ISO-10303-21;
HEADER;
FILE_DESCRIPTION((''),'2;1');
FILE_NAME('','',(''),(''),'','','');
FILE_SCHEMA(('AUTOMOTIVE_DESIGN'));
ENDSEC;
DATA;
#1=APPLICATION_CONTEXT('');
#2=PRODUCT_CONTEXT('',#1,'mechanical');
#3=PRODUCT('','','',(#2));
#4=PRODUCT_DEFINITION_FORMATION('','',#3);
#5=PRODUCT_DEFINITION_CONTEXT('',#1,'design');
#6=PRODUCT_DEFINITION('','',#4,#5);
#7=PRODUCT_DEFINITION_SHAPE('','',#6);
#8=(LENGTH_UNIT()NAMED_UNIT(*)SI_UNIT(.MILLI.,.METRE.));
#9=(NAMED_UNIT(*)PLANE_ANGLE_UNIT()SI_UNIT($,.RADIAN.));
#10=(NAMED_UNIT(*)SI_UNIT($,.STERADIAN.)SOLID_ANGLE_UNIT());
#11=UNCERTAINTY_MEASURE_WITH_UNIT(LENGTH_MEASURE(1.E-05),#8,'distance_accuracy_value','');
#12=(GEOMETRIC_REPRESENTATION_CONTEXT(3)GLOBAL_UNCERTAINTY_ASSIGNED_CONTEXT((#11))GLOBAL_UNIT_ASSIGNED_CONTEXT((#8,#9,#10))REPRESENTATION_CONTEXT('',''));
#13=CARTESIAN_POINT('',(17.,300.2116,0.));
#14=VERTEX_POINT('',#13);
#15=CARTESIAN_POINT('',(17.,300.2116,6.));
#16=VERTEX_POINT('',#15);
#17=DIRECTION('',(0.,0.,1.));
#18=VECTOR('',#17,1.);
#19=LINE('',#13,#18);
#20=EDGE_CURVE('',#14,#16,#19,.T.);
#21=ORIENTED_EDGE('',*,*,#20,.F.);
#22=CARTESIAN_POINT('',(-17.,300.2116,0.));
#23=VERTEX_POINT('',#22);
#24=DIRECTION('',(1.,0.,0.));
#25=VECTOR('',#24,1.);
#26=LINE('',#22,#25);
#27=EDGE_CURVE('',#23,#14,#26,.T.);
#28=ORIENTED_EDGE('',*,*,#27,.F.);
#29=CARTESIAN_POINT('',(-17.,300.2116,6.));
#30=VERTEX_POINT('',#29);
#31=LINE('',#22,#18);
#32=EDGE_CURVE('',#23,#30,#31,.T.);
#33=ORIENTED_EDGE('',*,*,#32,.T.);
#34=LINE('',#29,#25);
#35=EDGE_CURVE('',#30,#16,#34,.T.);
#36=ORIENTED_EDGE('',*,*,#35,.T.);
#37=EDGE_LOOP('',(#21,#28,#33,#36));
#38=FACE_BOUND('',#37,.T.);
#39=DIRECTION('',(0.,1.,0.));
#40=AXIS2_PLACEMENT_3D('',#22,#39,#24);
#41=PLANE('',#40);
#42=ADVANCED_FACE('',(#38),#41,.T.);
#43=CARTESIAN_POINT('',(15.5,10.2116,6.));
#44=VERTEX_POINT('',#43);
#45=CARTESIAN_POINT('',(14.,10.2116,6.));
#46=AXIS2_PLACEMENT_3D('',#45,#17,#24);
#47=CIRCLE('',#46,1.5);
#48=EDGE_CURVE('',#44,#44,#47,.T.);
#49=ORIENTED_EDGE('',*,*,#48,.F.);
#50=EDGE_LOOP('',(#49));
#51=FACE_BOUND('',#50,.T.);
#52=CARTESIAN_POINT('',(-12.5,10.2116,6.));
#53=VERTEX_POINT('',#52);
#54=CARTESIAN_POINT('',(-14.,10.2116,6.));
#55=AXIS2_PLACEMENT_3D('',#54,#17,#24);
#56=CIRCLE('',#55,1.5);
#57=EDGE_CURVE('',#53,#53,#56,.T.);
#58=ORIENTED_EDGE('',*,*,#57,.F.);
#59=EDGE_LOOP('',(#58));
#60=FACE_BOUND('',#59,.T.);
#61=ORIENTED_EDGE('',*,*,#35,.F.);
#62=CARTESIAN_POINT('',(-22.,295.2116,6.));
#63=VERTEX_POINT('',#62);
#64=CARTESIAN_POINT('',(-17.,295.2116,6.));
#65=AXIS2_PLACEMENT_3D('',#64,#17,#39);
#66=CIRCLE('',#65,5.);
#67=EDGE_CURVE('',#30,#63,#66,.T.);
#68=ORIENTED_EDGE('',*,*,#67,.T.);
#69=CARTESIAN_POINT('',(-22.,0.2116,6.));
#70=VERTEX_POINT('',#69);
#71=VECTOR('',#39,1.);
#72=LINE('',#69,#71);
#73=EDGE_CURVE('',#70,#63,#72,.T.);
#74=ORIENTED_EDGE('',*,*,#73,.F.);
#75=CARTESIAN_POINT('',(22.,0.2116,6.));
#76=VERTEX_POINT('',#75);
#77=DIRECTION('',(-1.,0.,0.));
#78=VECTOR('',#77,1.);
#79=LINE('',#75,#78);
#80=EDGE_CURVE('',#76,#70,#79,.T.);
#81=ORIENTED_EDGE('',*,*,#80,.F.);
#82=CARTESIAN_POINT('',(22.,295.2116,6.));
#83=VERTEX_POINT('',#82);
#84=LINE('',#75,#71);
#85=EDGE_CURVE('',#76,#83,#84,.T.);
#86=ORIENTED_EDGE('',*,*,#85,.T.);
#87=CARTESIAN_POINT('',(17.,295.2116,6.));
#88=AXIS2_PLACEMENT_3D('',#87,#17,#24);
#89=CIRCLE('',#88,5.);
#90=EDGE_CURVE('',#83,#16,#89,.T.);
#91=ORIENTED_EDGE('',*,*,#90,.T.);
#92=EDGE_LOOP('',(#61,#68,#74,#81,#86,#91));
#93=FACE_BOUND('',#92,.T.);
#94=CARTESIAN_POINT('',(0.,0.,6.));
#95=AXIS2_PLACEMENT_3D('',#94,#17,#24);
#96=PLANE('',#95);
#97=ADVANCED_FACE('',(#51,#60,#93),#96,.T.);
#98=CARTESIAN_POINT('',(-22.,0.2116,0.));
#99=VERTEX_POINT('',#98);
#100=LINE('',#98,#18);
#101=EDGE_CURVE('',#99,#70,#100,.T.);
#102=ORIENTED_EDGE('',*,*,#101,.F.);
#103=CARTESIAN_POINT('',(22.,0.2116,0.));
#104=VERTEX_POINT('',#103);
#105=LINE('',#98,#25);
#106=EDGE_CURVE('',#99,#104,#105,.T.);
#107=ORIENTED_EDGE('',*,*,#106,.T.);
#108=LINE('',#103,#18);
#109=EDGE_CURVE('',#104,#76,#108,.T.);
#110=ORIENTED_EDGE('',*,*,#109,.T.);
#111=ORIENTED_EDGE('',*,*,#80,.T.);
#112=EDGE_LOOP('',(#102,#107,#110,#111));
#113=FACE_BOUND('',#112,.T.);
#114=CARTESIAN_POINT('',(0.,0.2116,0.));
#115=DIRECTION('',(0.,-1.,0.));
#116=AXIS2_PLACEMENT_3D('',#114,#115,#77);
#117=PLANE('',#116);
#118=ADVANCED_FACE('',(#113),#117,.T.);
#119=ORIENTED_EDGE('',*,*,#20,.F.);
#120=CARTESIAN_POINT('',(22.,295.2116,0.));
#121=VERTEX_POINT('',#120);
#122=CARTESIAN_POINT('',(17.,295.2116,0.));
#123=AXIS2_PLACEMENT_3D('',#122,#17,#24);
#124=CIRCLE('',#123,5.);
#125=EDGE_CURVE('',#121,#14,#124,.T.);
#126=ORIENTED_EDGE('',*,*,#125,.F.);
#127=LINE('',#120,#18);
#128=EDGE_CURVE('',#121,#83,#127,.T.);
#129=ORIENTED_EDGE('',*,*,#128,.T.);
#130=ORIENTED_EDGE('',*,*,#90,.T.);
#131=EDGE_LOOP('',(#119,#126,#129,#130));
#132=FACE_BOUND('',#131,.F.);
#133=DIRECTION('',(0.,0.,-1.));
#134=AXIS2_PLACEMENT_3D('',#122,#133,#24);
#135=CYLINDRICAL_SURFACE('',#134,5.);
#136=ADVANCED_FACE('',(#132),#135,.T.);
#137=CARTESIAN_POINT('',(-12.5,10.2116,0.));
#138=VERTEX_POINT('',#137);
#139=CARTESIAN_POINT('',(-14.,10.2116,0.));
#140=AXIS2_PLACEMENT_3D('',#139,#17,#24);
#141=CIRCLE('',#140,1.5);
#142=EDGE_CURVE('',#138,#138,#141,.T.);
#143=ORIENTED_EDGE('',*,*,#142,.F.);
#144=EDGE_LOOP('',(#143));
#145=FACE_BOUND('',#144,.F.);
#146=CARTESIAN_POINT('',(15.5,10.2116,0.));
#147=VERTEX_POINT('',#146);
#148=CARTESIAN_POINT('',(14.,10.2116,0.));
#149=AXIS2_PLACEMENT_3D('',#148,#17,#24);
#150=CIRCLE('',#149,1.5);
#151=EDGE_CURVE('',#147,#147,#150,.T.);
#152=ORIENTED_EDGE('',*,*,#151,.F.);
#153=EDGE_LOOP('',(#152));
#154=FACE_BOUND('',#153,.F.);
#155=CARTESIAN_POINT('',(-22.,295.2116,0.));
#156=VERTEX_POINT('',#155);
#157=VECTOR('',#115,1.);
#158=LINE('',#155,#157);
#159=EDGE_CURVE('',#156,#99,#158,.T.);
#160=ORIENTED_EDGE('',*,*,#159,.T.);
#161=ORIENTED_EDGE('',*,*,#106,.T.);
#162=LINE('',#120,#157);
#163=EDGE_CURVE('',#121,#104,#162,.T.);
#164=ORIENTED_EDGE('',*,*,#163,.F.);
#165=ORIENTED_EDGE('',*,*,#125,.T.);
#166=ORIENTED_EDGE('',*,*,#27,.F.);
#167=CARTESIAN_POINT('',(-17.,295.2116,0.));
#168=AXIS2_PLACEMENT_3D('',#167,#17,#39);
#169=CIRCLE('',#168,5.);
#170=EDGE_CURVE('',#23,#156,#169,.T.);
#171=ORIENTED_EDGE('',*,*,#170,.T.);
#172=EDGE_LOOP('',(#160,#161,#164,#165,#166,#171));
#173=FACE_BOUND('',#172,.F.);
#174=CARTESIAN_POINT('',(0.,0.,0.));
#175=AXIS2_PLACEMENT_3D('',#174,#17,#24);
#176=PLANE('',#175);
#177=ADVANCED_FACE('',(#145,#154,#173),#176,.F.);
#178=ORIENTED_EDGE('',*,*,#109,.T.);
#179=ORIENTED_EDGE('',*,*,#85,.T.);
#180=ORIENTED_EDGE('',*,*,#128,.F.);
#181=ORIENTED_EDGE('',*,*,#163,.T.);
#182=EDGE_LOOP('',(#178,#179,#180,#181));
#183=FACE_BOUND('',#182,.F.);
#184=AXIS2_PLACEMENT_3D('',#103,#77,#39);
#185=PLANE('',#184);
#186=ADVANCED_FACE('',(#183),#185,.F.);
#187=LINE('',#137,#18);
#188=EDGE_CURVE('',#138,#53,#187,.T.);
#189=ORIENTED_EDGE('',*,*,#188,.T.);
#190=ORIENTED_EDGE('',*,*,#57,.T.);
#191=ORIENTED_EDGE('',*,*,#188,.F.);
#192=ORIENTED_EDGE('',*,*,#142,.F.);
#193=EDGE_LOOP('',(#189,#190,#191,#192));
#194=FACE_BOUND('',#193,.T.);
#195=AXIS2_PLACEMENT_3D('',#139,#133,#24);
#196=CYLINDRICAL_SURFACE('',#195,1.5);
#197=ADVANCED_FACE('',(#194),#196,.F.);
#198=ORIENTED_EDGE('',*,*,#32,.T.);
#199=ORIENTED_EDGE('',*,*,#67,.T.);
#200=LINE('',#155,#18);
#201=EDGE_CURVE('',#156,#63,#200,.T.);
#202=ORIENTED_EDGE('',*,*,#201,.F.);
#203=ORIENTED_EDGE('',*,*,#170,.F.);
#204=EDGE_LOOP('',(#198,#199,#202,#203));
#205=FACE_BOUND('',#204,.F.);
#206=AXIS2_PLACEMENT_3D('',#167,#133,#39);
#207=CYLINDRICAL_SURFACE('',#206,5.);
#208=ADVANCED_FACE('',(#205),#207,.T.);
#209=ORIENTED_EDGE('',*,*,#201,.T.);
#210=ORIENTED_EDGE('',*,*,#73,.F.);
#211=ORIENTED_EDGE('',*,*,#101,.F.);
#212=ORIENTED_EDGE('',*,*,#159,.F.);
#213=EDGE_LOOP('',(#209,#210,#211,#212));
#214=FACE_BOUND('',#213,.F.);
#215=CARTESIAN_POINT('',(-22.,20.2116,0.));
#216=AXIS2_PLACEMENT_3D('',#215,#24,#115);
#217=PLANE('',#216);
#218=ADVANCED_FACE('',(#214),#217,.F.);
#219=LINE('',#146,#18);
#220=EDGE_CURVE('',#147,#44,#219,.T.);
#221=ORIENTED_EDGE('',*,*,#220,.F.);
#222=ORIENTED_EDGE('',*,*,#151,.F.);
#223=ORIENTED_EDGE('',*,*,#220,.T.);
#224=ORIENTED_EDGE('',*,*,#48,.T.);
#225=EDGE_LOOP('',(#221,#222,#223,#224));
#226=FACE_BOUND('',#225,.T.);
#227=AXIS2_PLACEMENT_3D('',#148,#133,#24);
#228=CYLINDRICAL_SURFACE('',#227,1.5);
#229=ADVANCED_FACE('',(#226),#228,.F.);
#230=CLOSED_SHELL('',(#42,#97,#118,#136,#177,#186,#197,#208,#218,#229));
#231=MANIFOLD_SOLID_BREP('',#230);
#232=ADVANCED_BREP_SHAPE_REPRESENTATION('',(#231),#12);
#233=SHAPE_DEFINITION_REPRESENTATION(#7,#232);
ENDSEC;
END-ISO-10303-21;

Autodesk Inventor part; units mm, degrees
ref_plane "YZ Plane" through (0, 0, 0) normal (1, 0, 0) x (0, 1, 0)
ref_plane "XZ Plane" through (0, 0, 0) normal (0, 1, 0) x (-1, 0, 0)
ref_plane "XY Plane" through (0, 0, 0) normal (0, 0, 1) x (1, 0, 0)
sketch "Sketch1" plane through (0, 0, 0) normal (0, 0, 1) x (1, 0, 0)
  line L0 (-22, 20.2116) -> (-22, 0.2116) projected
  line L1 (22, 0.2116) -> (-22, 0.2116) projected
  line L2 (22, 0.2116) -> (22, 20.2116) projected
  line L3 (-22, 20.2116) -> (22, 20.2116) projected
  line L4 (22, 0.2116) -> (-22, 0.2116)
  line L5 (-22, 0.2116) -> (-22, 295.2116)
  line L6 (-17, 300.2116) -> (17, 300.2116)
  line L7 (22, 295.2116) -> (22, 0.2116)
  arc A0 (22, 295.2116) -> (17, 300.2116) centre (17, 295.2116) ccw
  arc A1 (-17, 300.2116) -> (-22, 295.2116) centre (-17, 295.2116) ccw
  circle A2 centre (14, 10.2116) radius 1.5
  line L8 (0, 0) -> (0, 26.7557)
  circle A3 centre (-14, 10.2116) radius 1.5
  circle A4 centre (-14, 10.2116) radius 1.5 projected
  circle A5 centre (14, 10.2116) radius 1.5 projected
  point P0 (-22, 300.2116)
  dimension "d0" = 300
  dimension "d1" = 5
  dimension "d2" = 3
  dimension "d3" = 14
  dimension "d4" = 10
extrude "Extrusion1" add sketch "Sketch1" along normal blind 6
sketch "Sketch2" plane through (0, 0, 6) normal (0, 0, 1) x (1, 0, 0)
  line L0 (-13.8628, 42.4038) -> (-13.8628, 167.0057) construction
  line L1 (-13.8628, 167.0057) -> (11.2533, 167.0057) construction
  line L2 (11.2533, 167.0057) -> (11.2533, 42.4038) construction
  line L3 (11.2533, 42.4038) -> (-13.8628, 42.4038) construction
  line L4 (3.9056, 43.7737) -> (3.9056, 205.2342) construction
  line L5 (3.9056, 205.2342) -> (61.2284, 205.2342) construction
  line L6 (61.2284, 205.2342) -> (61.2284, 43.7737) construction
  line L7 (61.2284, 43.7737) -> (3.9056, 43.7737) construction
  point P0 (0, 0)
properties part number "LEG"
